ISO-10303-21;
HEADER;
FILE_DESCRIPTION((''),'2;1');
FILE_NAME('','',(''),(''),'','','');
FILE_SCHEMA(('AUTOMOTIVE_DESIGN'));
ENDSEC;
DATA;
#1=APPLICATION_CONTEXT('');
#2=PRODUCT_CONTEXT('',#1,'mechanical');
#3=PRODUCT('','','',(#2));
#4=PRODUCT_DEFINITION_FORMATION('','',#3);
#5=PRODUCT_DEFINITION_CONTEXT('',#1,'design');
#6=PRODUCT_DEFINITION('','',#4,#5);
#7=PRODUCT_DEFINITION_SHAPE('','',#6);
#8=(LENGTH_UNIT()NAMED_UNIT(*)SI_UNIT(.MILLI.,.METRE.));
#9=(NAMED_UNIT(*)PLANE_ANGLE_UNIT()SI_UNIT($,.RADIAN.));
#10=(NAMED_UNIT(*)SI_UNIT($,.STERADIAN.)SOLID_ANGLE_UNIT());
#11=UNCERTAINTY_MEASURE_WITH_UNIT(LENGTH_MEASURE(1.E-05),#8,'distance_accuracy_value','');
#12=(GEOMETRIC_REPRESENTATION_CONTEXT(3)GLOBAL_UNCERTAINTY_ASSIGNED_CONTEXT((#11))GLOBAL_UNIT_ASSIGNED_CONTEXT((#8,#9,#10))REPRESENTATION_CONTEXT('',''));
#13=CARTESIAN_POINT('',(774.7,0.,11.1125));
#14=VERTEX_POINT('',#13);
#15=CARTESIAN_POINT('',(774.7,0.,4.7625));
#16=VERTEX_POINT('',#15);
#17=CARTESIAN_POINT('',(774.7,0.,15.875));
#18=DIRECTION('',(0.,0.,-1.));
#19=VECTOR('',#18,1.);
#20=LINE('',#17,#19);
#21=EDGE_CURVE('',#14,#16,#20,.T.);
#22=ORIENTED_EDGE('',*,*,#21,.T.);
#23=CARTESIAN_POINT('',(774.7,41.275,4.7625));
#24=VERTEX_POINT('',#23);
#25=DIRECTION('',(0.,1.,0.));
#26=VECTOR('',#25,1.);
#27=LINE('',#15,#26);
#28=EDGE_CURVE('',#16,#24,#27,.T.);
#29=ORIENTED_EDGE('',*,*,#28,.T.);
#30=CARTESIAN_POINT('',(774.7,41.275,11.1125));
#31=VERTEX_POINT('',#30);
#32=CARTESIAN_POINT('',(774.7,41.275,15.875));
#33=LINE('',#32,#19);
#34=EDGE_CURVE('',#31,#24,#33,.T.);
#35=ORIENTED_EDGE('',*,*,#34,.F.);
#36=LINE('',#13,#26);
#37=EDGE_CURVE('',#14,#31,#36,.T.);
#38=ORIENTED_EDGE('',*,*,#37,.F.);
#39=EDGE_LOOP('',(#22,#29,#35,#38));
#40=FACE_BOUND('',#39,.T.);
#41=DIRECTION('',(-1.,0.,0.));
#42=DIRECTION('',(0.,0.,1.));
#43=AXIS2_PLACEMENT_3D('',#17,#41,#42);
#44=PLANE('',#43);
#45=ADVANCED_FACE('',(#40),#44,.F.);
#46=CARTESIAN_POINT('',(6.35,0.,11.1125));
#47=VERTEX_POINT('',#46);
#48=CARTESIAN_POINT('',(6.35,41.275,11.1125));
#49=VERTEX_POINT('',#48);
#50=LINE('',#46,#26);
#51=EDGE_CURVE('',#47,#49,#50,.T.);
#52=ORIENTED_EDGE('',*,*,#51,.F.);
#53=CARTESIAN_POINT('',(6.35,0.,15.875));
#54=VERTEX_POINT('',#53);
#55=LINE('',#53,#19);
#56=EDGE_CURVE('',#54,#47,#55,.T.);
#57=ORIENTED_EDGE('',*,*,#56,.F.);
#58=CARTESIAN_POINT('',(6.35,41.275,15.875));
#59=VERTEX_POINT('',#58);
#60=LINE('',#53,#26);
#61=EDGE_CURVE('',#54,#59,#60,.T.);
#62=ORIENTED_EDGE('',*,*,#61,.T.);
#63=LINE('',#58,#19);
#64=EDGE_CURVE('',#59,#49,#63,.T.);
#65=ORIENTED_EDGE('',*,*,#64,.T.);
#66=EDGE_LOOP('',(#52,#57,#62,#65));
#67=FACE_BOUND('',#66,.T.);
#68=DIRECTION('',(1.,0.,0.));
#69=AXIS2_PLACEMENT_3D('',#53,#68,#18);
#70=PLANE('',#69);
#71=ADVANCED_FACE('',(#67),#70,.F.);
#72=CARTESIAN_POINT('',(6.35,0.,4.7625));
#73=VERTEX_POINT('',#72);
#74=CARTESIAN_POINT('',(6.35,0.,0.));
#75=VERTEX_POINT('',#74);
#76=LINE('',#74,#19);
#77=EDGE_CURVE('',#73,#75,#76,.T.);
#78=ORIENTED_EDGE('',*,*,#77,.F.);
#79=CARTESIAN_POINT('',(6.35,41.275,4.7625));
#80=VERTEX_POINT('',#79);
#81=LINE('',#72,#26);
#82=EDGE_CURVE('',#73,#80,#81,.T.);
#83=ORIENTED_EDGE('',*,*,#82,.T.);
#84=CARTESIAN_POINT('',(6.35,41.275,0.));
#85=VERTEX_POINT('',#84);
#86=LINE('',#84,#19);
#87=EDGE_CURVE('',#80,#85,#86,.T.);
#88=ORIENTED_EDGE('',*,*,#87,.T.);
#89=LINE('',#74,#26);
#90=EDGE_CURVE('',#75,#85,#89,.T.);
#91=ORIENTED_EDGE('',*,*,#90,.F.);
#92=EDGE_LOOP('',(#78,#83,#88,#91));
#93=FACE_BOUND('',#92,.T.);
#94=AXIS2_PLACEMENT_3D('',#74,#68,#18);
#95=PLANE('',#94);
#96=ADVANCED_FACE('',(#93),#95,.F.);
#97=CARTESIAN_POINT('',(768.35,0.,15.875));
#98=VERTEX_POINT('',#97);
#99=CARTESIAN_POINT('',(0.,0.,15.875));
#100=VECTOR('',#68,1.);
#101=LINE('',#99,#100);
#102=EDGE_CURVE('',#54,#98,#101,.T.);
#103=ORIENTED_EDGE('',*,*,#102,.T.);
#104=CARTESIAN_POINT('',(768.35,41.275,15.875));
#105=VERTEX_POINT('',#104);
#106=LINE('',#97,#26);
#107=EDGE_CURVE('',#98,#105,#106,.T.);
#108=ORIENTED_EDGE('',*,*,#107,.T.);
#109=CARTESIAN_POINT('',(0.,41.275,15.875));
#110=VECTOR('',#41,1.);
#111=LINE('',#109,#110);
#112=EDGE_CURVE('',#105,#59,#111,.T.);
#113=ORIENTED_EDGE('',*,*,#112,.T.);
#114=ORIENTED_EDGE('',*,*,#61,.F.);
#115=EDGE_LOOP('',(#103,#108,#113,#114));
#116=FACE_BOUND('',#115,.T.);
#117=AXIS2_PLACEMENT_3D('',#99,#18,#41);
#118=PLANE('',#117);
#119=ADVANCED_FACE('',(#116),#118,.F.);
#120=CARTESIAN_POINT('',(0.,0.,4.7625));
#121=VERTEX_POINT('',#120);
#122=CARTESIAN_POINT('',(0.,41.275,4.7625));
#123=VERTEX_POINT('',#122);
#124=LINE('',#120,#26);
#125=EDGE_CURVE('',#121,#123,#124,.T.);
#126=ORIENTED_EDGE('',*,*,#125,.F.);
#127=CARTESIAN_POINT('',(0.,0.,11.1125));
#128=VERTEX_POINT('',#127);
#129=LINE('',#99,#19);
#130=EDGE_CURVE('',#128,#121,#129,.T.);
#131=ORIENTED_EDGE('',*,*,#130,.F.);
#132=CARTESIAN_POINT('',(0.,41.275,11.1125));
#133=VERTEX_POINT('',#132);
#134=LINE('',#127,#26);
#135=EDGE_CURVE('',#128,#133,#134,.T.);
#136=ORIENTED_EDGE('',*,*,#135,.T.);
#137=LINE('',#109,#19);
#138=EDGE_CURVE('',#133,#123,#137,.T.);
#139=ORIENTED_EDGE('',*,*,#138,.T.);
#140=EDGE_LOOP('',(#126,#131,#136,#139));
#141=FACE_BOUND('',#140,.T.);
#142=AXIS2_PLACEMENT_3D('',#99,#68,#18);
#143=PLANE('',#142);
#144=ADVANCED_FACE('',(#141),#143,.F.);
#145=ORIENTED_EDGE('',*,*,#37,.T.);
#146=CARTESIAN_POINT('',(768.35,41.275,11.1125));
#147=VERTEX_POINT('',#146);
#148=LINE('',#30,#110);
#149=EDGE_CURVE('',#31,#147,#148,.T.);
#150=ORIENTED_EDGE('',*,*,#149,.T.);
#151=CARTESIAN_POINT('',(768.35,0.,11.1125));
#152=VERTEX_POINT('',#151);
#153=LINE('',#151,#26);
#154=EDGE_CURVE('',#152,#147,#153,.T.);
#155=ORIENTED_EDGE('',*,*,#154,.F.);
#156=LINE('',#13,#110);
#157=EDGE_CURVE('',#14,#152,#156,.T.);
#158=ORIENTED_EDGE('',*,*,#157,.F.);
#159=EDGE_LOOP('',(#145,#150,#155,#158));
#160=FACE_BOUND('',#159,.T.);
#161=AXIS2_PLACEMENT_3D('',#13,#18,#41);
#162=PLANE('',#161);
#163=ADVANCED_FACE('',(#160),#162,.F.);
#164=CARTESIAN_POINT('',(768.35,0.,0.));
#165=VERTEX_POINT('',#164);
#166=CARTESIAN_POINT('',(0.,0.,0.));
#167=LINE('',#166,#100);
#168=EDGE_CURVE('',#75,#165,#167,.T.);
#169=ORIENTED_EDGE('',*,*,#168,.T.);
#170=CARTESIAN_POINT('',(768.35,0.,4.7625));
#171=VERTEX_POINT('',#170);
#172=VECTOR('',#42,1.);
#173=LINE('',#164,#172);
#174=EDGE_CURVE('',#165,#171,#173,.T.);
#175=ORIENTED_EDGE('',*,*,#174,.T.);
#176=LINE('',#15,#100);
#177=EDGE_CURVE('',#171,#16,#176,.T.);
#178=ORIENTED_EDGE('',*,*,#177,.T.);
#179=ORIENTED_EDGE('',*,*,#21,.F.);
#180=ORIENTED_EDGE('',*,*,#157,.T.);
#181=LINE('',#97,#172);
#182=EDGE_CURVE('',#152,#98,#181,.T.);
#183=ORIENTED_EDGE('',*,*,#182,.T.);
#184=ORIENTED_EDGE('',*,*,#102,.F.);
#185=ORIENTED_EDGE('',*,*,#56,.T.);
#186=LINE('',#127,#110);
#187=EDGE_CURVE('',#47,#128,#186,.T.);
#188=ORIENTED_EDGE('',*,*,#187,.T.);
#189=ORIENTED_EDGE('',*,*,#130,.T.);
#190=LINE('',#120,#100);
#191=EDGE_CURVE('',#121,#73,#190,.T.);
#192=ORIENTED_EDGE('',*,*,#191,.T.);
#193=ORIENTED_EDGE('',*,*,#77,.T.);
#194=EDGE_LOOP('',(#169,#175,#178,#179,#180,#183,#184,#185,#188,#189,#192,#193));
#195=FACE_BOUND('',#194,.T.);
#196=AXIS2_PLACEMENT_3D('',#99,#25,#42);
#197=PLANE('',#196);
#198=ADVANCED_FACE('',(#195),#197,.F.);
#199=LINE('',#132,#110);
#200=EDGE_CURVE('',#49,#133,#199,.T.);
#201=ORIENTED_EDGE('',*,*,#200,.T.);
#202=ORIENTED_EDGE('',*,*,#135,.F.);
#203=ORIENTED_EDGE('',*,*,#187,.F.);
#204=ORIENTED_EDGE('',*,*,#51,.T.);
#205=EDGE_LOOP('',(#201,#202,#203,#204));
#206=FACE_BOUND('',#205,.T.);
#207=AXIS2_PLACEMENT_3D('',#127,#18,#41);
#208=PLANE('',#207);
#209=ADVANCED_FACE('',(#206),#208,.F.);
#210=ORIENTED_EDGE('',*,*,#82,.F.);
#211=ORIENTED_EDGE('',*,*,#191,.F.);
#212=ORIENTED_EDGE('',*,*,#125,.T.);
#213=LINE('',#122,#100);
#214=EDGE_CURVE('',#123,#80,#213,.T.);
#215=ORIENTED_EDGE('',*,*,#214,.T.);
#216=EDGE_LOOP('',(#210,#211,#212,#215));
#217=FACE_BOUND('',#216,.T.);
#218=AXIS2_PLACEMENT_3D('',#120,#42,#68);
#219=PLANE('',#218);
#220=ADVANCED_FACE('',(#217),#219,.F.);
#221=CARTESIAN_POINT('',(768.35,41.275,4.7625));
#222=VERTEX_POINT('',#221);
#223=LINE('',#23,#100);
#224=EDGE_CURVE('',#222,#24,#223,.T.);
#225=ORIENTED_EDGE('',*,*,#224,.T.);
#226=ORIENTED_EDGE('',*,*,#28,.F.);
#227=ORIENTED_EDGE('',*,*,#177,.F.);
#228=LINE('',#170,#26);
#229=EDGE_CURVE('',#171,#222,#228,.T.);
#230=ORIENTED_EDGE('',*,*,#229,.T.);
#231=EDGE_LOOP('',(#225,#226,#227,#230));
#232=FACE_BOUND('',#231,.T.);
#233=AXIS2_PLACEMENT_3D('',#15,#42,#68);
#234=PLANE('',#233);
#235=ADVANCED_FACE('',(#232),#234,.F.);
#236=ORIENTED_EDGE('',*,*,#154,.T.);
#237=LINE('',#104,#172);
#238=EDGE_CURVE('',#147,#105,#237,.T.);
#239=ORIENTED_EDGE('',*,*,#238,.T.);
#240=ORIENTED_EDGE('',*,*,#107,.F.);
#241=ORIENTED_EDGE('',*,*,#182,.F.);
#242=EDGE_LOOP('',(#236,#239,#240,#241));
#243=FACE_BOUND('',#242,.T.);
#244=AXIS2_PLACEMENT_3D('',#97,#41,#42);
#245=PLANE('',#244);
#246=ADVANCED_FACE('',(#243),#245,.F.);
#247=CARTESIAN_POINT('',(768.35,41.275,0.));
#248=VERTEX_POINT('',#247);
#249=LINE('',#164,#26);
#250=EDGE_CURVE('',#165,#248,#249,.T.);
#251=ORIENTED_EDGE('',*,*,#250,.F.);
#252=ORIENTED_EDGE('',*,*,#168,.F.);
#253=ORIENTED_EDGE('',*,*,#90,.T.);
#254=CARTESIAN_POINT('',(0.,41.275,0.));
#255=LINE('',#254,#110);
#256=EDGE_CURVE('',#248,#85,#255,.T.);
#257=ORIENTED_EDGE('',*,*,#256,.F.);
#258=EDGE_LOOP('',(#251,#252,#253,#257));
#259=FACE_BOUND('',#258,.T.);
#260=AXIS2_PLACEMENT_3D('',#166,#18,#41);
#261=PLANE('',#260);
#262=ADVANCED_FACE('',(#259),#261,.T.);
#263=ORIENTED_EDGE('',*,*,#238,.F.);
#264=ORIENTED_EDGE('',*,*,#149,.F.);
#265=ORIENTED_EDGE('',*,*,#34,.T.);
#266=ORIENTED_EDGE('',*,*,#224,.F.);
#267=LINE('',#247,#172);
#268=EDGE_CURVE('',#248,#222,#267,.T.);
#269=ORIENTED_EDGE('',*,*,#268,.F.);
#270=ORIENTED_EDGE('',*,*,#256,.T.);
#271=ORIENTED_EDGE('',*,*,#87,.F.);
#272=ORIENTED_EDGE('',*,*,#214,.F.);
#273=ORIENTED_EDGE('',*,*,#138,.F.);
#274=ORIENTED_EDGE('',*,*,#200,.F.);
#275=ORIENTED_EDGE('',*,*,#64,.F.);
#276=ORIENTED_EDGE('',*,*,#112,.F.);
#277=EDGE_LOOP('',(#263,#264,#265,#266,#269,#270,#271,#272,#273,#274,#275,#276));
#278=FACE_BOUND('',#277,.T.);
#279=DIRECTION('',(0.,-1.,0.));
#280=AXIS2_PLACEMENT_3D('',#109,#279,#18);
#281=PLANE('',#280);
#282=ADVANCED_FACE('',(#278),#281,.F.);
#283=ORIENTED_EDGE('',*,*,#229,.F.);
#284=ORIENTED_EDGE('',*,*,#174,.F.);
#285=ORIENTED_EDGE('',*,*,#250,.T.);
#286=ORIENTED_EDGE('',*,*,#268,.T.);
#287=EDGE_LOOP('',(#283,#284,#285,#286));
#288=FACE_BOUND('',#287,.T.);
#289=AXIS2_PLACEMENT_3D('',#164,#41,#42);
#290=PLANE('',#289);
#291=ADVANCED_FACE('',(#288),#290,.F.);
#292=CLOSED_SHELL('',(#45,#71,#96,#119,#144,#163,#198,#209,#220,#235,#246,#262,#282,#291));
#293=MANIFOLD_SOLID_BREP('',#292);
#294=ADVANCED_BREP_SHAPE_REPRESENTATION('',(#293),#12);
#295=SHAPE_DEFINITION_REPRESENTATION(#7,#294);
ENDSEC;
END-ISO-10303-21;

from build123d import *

# Parameters (mm, degrees)
SKETCH1_W           = 774.7
SKETCH1_H           = 41.275
BOSS_EXTRUDE1_DEPTH = 15.875
SKETCH2_W           = 6.35
SKETCH2_H           = 4.7625
CUT_EXTRUDE1_DEPTH  = 42.275


with BuildPart() as part:
    # Sketch1 → Boss-Extrude1 (new body)
    with BuildSketch(Plane.XY):
        with Locations((387.35, 20.6375)):
            Rectangle(SKETCH1_W, SKETCH1_H)
    extrude(amount=BOSS_EXTRUDE1_DEPTH)

    # Sketch2 → Cut-Extrude1 (cut, through all)
    with BuildSketch(Plane(origin=(0, 41.275, 0), x_dir=(1, 0, 0), z_dir=(0, 1, 0))):
        with Locations((771.525, -13.49375)):
            Rectangle(SKETCH2_W, SKETCH2_H)
        with Locations((771.525, -2.38125)):
            Rectangle(SKETCH2_W, SKETCH2_H)
        with Locations((3.175, -2.38125)):
            Rectangle(SKETCH2_W, SKETCH2_H)
        with Locations((3.175, -13.49375)):
            Rectangle(SKETCH2_W, SKETCH2_H)
    extrude(amount=-CUT_EXTRUDE1_DEPTH, mode=Mode.SUBTRACT)


solid = part.part
